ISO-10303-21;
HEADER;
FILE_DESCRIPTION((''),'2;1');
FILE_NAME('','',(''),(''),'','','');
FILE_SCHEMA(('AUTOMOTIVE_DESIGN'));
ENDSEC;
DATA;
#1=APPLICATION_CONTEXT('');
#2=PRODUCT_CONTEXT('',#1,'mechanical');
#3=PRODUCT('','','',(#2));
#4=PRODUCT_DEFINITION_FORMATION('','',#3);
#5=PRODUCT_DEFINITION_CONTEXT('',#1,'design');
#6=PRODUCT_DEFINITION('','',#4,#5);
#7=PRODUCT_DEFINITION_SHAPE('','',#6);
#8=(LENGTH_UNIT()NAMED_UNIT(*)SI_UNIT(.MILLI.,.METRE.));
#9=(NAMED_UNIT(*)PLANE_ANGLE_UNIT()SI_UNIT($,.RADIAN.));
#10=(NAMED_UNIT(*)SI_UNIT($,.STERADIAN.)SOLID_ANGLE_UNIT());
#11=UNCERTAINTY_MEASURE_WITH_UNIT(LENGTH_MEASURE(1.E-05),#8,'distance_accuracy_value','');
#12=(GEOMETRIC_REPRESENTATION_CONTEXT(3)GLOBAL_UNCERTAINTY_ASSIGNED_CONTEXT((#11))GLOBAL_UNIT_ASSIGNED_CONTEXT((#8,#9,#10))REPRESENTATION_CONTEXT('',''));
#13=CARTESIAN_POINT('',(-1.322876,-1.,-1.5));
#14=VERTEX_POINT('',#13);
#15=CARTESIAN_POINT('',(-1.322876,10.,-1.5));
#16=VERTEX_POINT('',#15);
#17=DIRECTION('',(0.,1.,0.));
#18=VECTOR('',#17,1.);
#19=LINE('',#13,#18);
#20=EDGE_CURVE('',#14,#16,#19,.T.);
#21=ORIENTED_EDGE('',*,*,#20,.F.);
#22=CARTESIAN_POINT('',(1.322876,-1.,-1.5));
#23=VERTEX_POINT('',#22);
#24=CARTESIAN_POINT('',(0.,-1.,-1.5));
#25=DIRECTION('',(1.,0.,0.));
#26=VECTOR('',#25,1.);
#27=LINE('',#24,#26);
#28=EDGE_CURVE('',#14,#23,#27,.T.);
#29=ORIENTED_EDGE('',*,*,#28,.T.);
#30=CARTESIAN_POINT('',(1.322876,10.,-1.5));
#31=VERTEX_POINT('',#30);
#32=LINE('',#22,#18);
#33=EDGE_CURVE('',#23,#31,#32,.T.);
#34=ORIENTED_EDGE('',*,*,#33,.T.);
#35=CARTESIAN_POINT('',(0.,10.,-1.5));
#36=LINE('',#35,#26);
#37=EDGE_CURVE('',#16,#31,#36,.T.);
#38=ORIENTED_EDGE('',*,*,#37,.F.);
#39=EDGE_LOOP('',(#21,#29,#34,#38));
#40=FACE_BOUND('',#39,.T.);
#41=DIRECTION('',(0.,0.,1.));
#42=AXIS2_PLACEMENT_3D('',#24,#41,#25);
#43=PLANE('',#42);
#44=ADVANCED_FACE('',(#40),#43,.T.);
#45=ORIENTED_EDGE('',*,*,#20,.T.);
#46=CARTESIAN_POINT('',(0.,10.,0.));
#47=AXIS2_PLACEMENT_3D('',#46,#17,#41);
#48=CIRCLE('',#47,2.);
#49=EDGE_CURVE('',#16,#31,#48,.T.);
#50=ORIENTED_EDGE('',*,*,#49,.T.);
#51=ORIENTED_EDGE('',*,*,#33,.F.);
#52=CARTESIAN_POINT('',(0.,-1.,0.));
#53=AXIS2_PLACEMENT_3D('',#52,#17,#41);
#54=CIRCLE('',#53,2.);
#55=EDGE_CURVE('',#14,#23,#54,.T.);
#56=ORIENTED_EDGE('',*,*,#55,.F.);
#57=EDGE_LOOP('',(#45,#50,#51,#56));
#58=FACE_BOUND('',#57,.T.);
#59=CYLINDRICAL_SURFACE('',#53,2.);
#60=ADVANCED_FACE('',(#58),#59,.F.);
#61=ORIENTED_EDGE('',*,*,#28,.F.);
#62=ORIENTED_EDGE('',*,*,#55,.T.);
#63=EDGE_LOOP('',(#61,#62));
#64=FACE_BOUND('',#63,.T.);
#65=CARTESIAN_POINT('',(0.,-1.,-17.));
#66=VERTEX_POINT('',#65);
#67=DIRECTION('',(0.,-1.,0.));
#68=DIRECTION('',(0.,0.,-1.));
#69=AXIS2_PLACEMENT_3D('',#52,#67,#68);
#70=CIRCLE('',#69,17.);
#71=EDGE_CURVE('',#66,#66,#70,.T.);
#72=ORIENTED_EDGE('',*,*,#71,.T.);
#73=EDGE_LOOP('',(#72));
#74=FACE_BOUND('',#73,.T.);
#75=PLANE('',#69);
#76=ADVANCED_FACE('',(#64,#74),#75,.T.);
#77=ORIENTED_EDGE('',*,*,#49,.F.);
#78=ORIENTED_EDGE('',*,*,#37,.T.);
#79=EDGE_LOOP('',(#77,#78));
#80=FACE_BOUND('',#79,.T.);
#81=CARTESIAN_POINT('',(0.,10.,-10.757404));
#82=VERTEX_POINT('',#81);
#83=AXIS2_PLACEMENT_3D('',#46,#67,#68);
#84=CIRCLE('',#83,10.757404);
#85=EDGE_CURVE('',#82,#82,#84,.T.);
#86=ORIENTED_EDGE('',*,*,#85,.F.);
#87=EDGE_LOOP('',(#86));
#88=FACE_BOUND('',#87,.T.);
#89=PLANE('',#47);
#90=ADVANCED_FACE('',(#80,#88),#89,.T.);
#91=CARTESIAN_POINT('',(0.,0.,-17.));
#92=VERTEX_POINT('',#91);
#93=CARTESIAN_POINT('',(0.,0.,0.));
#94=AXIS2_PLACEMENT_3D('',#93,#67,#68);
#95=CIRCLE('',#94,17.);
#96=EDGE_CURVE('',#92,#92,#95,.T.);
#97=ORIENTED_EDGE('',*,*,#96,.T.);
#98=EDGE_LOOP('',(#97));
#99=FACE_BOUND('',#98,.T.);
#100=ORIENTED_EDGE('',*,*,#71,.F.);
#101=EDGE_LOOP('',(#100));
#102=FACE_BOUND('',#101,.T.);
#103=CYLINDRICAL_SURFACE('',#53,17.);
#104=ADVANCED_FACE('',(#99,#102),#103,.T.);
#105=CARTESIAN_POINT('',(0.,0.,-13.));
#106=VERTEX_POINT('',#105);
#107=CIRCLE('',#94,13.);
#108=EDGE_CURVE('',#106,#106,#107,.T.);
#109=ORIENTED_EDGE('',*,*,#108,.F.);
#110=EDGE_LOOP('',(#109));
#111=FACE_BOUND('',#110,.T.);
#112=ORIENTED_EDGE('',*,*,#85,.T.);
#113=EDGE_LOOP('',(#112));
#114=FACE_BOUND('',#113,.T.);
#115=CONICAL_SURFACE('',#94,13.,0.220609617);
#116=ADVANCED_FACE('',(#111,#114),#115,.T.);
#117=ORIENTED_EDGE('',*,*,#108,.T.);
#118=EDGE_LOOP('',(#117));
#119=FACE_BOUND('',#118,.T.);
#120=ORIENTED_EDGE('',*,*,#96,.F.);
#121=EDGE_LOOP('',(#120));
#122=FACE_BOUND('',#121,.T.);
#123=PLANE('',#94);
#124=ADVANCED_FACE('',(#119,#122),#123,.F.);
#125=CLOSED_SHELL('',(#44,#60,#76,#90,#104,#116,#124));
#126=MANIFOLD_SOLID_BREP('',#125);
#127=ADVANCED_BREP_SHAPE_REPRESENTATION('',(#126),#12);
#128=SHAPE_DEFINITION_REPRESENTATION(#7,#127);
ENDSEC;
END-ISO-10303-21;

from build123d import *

# Parameters (mm, degrees)
SKETCH1_R           = 13
BOSS_EXTRUDE1_DEPTH = 10
SKETCH3_R           = 17
BOSS_EXTRUDE2_DEPTH = 1
CUT_EXTRUDE2_DEPTH  = 27.438608133


with BuildPart() as part:
    # Sketch1 → Boss-Extrude1 (new body)
    with BuildSketch(Plane(origin=(0, 0, 0), x_dir=(1, 0, 0), z_dir=(0, 1, 0))):
        with Locations(Location((0, 0, 0), (0, 0, 270))):
            Circle(SKETCH1_R)
    extrude(amount=BOSS_EXTRUDE1_DEPTH)

    # Sketch2 → Cut-Revolve1 (revolve, cut)
    with BuildSketch(Plane(origin=(0, 0, 0), x_dir=(0, 0, -1), z_dir=(1, 0, 0)), mode=Mode.PRIVATE) as cut_revolve1_sk:
        Polygon((-13, 0), (-10.757403894, 10), (-13, 10), align=None)
    revolve(cut_revolve1_sk.sketch.rotate(Axis((0, 0, 0), (0, 1, 0)), 180), axis=Axis((0, 0, 0), (0, 1, 0)), mode=Mode.SUBTRACT)

    # Sketch3 → Boss-Extrude2 (add)
    with BuildSketch(Plane(origin=(0, 0, 0), x_dir=(-1, 0, 0), z_dir=(0, -1, 0))):
        with Locations(Location((0, 0, 0), (0, 0, 90))):
            Circle(SKETCH3_R)
    extrude(amount=BOSS_EXTRUDE2_DEPTH)

    # Sketch5 → Cut-Extrude2 (cut, through all)
    with BuildSketch(Plane(origin=(0, 10, 0), x_dir=(1, 0, 0), z_dir=(0, 1, 0))):
        with BuildLine():
            Line((1.322875656, 1.5), (-1.322875656, 1.5))
            ThreePointArc((-1.322875656, 1.5), (-0.822875656, -1.822875656), (2, 0))
            ThreePointArc((2, 0), (1.822875656, 0.822875656), (1.322875656, 1.5))
        make_face()
    extrude(amount=-CUT_EXTRUDE2_DEPTH, mode=Mode.SUBTRACT)


solid = part.part
